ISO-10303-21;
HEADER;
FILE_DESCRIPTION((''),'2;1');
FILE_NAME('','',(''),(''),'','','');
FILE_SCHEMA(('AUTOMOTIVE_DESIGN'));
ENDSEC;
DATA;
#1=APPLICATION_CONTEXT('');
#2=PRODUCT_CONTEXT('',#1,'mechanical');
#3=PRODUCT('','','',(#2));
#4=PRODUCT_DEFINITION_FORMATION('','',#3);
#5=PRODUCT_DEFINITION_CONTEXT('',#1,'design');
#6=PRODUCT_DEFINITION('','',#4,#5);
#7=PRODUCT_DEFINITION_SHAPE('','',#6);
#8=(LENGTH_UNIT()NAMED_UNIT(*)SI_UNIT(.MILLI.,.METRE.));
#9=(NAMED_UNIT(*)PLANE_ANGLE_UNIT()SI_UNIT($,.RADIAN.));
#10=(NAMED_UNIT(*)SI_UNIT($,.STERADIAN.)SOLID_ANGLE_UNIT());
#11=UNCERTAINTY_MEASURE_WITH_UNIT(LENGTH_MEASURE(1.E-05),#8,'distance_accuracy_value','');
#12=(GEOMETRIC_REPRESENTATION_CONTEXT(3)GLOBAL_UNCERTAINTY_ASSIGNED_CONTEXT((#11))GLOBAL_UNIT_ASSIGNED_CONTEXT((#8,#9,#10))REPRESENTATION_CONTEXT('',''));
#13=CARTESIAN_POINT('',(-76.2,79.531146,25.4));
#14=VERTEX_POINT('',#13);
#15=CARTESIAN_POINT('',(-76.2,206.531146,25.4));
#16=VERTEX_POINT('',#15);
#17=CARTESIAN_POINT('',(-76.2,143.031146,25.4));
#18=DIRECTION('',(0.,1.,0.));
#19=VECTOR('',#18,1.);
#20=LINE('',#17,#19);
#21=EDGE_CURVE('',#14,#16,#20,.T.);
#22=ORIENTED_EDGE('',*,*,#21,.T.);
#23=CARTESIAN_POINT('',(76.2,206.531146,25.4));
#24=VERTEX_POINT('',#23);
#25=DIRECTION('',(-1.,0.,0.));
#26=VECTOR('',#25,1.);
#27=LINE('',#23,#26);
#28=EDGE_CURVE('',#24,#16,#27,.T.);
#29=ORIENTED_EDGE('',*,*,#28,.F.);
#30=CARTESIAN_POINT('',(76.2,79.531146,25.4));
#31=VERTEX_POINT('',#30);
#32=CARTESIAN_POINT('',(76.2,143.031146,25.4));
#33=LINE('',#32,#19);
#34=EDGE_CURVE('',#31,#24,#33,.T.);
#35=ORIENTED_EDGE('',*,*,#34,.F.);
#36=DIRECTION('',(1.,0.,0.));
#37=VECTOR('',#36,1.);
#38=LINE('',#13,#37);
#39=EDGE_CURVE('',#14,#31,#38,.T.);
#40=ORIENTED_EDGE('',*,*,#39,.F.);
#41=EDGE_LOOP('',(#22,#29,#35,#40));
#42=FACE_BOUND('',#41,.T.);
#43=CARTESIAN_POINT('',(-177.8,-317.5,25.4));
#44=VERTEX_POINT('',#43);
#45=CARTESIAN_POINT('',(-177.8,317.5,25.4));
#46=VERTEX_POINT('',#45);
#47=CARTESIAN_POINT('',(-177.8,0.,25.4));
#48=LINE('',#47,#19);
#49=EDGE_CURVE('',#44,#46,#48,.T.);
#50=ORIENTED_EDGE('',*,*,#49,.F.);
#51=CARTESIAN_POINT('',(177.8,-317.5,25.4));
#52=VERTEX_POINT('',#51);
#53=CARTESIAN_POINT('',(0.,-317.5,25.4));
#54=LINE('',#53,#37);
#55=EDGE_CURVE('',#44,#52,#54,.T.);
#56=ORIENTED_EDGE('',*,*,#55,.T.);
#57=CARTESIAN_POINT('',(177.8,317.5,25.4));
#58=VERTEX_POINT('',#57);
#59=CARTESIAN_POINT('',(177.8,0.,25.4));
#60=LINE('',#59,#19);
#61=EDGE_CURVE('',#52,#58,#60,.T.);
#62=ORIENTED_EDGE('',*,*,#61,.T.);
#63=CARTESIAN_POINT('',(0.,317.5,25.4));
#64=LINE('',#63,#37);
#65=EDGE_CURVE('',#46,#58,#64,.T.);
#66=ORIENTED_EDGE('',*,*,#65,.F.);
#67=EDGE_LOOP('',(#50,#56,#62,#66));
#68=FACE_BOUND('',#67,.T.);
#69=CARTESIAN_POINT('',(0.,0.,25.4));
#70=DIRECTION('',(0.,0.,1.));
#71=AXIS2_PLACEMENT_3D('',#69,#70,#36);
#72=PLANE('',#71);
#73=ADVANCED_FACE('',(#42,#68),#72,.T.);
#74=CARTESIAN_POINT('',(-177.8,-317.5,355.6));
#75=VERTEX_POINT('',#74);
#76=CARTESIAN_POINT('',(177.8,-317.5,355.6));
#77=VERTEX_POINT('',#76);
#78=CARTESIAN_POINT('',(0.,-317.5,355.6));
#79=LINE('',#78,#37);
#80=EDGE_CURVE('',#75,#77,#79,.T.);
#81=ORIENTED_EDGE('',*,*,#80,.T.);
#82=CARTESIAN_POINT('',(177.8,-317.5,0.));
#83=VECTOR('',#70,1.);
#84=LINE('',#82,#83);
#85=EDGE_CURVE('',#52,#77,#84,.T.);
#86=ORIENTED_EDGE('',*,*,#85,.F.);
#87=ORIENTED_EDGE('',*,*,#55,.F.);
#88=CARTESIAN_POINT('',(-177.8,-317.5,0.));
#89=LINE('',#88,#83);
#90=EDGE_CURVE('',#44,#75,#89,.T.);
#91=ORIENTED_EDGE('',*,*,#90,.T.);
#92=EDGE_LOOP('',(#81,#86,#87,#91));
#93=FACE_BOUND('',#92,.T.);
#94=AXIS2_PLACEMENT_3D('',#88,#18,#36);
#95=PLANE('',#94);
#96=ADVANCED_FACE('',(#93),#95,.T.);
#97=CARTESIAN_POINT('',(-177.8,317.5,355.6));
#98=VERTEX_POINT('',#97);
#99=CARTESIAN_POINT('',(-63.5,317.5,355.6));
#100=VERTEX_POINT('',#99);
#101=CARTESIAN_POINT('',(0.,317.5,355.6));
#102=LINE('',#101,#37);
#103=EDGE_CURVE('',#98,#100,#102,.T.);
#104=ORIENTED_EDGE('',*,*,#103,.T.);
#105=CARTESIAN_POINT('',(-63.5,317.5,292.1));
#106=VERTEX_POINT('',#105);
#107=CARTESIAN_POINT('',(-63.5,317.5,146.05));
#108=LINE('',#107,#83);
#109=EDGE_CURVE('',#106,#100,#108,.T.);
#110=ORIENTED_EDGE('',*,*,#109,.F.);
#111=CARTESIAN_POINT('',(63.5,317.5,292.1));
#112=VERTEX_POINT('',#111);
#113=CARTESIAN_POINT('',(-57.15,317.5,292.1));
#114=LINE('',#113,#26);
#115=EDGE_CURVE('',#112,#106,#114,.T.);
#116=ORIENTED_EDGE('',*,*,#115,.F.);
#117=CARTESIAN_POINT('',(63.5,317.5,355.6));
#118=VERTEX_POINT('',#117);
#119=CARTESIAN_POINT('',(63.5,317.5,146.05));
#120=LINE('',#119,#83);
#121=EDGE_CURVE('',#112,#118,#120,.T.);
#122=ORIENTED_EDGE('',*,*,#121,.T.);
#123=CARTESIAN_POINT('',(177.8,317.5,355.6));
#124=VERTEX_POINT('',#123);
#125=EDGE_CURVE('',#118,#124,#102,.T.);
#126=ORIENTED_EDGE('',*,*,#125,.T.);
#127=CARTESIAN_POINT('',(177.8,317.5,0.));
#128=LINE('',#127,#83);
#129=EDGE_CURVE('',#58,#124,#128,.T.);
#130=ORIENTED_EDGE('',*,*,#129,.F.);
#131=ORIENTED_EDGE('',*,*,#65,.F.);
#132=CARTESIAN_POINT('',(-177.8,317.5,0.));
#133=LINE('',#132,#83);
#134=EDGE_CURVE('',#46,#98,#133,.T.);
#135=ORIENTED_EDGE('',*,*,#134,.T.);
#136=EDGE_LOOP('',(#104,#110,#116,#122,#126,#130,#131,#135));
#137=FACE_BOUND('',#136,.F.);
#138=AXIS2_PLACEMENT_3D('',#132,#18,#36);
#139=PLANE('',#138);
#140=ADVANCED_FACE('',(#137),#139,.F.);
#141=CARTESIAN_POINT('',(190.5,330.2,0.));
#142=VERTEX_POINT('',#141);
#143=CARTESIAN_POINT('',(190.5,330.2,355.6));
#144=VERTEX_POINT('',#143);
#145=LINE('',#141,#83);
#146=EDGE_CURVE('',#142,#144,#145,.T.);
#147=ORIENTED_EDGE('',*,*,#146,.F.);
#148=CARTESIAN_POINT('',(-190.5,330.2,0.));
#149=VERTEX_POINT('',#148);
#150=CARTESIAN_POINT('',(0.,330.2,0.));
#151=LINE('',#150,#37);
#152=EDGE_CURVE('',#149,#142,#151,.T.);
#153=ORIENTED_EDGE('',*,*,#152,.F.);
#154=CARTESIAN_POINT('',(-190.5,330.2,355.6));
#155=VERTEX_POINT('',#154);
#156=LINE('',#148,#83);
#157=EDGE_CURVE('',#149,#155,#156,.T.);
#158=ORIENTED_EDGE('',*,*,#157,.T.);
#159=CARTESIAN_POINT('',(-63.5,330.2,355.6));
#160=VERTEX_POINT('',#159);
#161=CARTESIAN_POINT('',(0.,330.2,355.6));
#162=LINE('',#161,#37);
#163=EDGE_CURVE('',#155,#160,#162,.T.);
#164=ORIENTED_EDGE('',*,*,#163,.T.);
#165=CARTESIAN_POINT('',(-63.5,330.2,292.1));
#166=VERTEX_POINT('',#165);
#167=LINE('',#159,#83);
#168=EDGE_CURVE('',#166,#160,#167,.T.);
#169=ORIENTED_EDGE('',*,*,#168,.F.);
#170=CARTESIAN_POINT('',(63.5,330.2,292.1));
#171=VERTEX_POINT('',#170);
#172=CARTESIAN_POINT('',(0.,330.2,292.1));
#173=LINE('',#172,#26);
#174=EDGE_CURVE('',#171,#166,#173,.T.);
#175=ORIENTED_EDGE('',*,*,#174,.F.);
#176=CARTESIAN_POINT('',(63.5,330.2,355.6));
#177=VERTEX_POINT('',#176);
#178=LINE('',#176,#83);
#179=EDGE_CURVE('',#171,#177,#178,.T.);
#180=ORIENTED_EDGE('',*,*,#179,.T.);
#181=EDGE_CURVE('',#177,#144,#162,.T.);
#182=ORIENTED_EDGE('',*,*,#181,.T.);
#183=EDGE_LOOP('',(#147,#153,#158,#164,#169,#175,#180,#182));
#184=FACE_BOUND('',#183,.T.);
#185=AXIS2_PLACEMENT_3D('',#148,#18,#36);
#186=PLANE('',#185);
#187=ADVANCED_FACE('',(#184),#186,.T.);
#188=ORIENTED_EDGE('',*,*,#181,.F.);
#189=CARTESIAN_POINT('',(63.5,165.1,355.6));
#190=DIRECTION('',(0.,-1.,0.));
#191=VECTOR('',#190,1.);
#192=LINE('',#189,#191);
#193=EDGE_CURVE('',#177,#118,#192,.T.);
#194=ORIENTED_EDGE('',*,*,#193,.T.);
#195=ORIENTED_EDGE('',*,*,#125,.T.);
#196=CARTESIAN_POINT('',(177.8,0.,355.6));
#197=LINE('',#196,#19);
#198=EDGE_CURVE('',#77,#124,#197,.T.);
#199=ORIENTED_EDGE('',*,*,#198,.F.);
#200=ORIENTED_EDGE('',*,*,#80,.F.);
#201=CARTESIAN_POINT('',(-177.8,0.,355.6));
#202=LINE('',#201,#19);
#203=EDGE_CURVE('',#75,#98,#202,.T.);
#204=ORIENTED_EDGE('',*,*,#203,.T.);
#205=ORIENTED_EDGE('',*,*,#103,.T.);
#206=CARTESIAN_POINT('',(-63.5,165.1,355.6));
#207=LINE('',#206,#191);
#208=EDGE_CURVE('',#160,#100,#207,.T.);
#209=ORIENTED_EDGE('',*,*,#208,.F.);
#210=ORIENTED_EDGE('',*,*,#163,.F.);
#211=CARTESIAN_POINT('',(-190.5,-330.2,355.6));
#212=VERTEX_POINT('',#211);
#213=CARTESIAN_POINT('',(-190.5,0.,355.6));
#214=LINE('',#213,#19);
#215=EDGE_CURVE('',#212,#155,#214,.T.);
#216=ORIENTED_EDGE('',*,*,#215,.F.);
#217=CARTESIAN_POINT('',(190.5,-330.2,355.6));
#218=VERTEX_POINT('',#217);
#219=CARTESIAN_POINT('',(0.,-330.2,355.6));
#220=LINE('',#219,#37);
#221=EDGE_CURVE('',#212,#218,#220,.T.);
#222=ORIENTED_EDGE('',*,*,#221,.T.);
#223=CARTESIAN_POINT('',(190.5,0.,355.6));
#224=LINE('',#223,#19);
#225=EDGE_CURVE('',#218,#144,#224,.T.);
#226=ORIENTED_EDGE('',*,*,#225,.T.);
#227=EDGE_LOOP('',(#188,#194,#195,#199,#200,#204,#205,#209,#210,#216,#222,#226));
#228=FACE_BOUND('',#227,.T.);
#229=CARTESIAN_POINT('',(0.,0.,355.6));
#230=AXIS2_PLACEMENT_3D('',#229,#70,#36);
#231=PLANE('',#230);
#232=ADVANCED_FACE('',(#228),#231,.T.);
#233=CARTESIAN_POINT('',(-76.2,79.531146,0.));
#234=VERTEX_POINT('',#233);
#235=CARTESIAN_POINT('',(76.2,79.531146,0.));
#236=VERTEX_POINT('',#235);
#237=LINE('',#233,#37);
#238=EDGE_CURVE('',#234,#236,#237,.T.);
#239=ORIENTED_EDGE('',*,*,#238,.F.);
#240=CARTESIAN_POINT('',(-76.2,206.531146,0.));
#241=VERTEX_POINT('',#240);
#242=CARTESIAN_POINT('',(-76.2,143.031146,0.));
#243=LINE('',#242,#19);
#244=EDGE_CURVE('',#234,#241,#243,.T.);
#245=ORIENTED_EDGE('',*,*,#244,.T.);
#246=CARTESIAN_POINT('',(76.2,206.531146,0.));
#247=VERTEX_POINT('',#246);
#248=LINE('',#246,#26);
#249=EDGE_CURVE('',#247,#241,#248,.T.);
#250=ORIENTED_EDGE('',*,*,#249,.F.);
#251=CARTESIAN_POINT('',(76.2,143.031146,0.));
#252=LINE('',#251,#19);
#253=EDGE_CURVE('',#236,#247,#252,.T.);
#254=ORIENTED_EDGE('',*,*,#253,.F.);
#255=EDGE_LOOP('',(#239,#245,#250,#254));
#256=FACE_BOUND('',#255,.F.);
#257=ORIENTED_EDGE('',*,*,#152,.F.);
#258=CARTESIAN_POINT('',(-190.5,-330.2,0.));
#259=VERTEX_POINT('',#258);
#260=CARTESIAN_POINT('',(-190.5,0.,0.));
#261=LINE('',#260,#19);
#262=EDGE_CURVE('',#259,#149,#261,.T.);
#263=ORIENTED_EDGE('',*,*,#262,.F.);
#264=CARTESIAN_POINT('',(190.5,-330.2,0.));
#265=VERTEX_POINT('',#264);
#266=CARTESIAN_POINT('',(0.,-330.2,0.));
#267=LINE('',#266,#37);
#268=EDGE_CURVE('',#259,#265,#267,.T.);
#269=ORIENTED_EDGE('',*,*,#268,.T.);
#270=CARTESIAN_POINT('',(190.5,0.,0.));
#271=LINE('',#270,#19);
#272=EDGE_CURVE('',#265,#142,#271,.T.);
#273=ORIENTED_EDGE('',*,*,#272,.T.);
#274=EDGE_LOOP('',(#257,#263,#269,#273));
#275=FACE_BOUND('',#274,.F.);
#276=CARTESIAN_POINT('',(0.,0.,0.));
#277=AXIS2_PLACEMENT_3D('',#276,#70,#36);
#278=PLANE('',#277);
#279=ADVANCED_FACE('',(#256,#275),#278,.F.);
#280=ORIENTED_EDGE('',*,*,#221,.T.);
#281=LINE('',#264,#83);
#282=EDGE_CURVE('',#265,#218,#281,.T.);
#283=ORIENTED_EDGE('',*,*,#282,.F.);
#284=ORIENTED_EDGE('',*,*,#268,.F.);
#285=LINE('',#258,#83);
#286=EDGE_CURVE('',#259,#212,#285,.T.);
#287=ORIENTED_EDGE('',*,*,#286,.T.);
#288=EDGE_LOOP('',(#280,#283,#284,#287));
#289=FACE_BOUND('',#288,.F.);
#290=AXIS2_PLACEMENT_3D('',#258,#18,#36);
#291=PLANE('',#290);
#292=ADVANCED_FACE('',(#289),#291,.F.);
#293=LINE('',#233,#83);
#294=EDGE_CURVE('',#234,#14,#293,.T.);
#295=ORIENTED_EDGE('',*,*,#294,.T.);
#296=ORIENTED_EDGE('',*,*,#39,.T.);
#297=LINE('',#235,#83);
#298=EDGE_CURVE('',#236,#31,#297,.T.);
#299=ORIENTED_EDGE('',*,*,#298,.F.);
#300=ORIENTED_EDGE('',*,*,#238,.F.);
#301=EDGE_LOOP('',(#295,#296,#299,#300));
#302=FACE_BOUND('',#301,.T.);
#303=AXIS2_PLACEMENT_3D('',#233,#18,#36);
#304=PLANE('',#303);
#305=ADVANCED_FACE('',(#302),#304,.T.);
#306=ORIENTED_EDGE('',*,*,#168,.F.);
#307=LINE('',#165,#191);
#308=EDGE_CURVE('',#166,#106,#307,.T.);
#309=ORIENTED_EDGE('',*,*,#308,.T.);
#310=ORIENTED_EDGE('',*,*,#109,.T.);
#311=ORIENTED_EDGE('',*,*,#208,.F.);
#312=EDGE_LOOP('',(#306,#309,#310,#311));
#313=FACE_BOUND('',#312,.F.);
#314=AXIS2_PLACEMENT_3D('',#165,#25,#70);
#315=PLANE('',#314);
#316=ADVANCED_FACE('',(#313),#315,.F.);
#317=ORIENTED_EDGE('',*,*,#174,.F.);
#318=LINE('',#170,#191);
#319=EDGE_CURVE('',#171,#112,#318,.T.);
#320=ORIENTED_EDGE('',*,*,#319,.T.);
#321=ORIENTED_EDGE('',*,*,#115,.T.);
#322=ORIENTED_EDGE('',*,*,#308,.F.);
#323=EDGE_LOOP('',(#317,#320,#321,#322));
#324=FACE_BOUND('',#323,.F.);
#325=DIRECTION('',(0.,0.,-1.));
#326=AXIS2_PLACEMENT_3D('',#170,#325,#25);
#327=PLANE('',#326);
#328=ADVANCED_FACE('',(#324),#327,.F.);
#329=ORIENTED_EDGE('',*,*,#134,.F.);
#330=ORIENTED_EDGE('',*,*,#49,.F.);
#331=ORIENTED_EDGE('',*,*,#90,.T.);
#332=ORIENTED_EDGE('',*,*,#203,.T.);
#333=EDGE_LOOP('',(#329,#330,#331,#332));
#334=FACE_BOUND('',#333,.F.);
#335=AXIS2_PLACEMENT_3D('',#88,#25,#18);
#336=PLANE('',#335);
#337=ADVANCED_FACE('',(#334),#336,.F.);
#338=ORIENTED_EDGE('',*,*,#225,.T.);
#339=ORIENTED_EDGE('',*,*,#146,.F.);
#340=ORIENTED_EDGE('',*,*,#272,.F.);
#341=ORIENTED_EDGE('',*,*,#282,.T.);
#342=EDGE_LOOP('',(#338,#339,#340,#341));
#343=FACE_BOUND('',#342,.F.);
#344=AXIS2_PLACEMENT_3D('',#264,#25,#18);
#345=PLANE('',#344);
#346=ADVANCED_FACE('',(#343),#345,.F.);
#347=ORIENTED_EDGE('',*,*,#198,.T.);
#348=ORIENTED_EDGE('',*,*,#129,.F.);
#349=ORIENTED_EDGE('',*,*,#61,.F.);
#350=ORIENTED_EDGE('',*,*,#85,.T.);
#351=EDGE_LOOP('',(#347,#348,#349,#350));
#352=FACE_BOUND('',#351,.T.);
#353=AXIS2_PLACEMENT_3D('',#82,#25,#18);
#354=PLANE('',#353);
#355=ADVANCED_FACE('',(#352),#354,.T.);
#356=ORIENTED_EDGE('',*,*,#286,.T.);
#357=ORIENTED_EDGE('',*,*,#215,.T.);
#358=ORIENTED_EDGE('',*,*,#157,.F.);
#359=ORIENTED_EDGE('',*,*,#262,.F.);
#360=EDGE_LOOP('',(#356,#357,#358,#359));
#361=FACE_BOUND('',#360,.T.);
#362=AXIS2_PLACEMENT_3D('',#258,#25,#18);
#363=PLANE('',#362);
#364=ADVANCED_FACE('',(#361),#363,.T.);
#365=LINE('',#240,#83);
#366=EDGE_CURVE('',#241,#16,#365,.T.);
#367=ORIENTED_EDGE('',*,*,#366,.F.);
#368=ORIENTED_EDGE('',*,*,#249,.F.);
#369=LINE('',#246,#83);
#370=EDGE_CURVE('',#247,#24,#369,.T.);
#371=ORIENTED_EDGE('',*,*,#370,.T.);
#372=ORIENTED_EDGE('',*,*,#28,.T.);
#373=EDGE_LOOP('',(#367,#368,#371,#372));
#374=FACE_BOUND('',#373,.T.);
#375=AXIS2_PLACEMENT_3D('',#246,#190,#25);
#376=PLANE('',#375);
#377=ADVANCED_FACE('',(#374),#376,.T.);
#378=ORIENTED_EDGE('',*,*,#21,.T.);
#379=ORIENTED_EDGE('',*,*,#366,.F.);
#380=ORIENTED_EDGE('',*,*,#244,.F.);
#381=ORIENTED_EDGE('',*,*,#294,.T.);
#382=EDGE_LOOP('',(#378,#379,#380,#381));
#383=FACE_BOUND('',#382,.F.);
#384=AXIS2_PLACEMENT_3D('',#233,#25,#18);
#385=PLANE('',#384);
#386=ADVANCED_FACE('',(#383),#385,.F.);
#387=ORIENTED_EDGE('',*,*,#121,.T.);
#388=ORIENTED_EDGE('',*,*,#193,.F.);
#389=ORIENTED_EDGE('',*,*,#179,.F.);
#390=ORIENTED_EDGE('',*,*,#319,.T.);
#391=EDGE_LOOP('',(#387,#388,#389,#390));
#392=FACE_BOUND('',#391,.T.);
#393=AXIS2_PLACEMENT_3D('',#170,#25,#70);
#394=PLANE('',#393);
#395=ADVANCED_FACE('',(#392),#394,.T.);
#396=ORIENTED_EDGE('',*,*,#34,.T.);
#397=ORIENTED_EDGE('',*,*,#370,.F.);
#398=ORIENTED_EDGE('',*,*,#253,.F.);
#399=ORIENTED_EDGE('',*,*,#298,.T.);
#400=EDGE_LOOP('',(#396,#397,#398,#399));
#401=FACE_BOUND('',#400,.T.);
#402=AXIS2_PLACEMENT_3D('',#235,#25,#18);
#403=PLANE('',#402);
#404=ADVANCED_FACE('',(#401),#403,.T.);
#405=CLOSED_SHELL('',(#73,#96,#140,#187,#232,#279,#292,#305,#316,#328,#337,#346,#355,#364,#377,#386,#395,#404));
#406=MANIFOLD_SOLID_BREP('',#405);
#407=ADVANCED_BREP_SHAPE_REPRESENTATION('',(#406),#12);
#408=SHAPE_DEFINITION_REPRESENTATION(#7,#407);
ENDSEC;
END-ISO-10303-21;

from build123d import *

# Parameters (mm, degrees)
F0_W     = 381
F0_H     = 660.4
F0_W_2   = 355.6
F0_H_2   = 635
F1_DEPTH = 355.6
F2_DEPTH = 25.4
F3_W     = 76.2
F3_H     = 127
F4_DEPTH = 25.4
F5_W     = 127
F5_H     = 127
F6_DEPTH = 25.4


with BuildPart() as f1:
    # F0 (on Top) → F1 (new body)
    with BuildSketch(Plane.XY):
        Rectangle(F0_W, F0_H)
        Rectangle(F0_W_2, F0_H_2, mode=Mode.SUBTRACT)
    extrude(amount=F1_DEPTH)

    # F0 (on Top) → F2 (join)
    with BuildSketch(Plane.XY):
        Rectangle(F0_W_2, F0_H_2)
    extrude(amount=F2_DEPTH)

    # F3 (on face) → F4 (cut)
    with BuildSketch(Plane.XY):
        with Locations((-38.1, 143.031146)):
            Rectangle(F3_W, F3_H)
        with Locations((38.1, 143.031146)):
            Rectangle(F3_W, F3_H)
    extrude(amount=F4_DEPTH, mode=Mode.SUBTRACT)

    # F5 (on face) → F6 (cut)
    with BuildSketch(Plane(origin=(0, 330.2, 0), x_dir=(-1, 0, 0), z_dir=(0, 1, 0))):
        with Locations((0, 355.6)):
            Rectangle(F5_W, F5_H)
    extrude(amount=-F6_DEPTH, mode=Mode.SUBTRACT)


solid = f1.part
